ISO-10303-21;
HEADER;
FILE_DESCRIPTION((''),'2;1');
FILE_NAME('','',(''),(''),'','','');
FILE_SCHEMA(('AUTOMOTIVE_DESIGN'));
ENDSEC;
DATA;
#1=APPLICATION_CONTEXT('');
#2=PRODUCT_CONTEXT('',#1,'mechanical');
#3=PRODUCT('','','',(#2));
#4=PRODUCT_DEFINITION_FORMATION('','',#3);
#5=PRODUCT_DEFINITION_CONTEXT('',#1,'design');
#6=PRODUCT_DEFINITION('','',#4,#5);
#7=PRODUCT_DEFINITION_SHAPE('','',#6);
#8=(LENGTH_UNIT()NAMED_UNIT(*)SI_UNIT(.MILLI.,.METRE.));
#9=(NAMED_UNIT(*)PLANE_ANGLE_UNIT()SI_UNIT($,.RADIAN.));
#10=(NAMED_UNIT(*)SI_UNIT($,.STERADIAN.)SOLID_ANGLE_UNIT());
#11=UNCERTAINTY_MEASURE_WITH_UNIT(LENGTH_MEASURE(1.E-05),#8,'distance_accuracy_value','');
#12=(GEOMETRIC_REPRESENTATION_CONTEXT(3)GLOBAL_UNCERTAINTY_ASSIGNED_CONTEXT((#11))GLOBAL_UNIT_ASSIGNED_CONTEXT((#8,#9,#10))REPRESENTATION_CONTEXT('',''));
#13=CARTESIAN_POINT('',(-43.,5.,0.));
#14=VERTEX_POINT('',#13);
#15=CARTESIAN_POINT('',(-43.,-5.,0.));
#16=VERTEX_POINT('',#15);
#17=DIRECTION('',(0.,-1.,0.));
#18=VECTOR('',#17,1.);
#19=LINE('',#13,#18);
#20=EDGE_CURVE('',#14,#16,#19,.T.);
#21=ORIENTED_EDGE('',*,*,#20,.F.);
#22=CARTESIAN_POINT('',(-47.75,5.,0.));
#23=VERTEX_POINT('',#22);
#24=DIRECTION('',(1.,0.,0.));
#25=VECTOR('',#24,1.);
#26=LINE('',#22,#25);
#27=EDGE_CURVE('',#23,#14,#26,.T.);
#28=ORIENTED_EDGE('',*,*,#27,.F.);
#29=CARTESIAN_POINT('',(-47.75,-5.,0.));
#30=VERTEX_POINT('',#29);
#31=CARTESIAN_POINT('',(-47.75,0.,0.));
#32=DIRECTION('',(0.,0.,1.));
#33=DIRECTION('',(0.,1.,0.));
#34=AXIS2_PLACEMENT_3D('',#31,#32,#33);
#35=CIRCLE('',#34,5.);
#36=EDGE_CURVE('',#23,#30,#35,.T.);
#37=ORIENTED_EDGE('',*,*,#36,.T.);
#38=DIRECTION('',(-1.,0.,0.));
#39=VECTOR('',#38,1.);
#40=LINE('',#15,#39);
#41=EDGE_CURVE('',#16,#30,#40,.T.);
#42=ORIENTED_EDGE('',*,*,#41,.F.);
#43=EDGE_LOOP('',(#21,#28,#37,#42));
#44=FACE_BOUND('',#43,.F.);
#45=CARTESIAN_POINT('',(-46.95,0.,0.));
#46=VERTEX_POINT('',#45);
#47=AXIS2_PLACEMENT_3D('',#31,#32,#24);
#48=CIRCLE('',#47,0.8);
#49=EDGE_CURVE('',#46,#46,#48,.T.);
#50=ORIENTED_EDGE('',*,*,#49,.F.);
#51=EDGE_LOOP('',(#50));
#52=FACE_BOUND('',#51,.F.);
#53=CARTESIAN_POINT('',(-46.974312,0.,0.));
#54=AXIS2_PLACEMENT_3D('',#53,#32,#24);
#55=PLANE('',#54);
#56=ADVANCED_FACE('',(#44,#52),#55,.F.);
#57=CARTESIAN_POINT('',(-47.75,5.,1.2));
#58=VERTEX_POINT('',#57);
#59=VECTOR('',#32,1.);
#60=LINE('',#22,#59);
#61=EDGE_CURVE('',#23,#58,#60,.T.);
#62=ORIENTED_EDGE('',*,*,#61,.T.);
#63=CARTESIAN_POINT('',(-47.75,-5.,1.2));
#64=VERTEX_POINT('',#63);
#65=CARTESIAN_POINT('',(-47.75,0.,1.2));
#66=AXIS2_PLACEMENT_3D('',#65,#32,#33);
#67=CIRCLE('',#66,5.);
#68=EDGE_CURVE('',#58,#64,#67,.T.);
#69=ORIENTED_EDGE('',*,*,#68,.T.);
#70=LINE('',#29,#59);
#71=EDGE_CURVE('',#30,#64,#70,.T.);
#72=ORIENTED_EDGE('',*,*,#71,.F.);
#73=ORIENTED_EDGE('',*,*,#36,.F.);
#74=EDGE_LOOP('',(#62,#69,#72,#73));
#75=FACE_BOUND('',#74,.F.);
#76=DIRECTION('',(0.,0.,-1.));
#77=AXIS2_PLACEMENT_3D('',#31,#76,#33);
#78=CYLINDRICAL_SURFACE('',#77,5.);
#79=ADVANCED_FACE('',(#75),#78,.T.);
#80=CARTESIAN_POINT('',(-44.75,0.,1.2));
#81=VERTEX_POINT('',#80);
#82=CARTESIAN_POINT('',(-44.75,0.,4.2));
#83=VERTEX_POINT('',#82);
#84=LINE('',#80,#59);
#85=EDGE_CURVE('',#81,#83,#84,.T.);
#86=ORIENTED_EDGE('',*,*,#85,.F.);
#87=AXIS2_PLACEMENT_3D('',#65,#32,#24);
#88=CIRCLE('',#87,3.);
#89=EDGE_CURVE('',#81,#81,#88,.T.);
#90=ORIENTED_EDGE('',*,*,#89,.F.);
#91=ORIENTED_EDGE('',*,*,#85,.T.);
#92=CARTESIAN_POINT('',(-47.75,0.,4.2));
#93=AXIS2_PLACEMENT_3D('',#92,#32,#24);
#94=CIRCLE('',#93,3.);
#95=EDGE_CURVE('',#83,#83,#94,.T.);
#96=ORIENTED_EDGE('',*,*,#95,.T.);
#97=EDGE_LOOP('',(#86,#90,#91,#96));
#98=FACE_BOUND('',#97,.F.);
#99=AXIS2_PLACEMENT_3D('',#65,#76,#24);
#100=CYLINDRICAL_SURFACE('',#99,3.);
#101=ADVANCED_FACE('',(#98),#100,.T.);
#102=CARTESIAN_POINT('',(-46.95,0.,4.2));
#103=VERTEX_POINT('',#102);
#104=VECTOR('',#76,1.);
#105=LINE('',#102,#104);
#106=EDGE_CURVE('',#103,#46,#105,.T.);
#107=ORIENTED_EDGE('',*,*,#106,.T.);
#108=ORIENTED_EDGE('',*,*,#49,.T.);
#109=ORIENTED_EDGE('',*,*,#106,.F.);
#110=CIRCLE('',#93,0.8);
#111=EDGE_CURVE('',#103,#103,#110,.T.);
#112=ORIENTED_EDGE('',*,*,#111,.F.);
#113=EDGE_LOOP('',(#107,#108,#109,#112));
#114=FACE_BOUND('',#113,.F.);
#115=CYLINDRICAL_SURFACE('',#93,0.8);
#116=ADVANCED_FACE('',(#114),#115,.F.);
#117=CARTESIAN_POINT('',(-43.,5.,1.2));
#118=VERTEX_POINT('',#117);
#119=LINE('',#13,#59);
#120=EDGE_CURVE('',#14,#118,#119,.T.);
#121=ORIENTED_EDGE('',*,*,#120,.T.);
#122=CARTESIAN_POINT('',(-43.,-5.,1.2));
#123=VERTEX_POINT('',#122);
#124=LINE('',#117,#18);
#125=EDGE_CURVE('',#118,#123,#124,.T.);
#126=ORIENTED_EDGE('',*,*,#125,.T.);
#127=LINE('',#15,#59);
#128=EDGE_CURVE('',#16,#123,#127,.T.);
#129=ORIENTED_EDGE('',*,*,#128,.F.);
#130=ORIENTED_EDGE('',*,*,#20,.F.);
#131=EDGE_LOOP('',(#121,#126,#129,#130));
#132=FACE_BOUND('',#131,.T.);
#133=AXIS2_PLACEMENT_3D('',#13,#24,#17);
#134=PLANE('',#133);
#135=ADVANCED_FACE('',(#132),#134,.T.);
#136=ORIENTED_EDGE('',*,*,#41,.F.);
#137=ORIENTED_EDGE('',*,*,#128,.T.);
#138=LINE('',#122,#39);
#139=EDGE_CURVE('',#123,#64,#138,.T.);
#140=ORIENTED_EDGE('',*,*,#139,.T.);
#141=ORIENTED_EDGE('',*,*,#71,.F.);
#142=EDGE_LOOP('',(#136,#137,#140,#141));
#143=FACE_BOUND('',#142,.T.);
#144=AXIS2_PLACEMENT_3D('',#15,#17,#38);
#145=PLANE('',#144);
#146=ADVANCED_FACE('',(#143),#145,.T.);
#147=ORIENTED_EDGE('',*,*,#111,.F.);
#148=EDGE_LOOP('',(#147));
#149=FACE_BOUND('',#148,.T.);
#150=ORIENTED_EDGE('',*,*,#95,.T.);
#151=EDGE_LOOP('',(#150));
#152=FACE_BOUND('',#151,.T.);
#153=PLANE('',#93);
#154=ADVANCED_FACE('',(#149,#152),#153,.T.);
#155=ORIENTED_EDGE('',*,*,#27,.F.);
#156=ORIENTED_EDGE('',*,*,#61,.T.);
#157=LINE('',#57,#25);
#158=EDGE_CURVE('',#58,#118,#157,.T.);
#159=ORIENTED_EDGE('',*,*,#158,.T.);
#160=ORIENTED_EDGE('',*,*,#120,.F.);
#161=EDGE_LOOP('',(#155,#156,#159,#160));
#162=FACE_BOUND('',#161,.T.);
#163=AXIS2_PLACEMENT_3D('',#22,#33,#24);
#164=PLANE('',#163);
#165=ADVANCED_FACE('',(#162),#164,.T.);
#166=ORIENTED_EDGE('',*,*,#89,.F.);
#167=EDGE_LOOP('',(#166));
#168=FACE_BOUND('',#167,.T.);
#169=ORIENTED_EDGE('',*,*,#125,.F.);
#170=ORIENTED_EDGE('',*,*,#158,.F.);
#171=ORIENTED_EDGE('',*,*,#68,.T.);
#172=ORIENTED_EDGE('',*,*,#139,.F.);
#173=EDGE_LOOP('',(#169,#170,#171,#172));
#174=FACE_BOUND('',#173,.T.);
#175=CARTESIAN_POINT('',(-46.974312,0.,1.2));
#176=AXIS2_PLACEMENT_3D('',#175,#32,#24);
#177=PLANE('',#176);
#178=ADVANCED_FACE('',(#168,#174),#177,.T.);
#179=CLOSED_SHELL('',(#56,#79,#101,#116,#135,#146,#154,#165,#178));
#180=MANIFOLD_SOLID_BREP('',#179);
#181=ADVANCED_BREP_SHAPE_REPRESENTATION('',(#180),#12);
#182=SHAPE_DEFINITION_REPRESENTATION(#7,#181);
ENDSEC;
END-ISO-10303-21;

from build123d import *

# Parameters (mm, degrees)
PAD001_DEPTH = 1.2
SKETCH002_R  = 3
PAD002_DEPTH = 3
SKETCH003_R  = 0.8
POCKET_DEPTH = 5


with BuildPart() as part:
    # Sketch001 → Pad001 (new body)
    with BuildSketch(Plane.XY):
        with BuildLine():
            ThreePointArc((-47.75, 5), (-52.75, 0), (-47.75, -5))
            Line((-43, -5), (-47.75, -5))
            Line((-43, 5), (-43, -5))
            Line((-47.75, 5), (-43, 5))
        make_face()
    extrude(amount=PAD001_DEPTH)

    # Sketch002 → Pad002 (new body)
    with BuildSketch(Plane.XY.offset(1.2)):
        with Locations((-47.75, 0)):
            Circle(SKETCH002_R)
    extrude(amount=PAD002_DEPTH)

    # Sketch003 → Pocket (cut)
    with BuildSketch(Plane.XY.offset(4.2)):
        with Locations((-47.75, 0)):
            Circle(SKETCH003_R)
    extrude(amount=-POCKET_DEPTH, mode=Mode.SUBTRACT)


solid = part.part
